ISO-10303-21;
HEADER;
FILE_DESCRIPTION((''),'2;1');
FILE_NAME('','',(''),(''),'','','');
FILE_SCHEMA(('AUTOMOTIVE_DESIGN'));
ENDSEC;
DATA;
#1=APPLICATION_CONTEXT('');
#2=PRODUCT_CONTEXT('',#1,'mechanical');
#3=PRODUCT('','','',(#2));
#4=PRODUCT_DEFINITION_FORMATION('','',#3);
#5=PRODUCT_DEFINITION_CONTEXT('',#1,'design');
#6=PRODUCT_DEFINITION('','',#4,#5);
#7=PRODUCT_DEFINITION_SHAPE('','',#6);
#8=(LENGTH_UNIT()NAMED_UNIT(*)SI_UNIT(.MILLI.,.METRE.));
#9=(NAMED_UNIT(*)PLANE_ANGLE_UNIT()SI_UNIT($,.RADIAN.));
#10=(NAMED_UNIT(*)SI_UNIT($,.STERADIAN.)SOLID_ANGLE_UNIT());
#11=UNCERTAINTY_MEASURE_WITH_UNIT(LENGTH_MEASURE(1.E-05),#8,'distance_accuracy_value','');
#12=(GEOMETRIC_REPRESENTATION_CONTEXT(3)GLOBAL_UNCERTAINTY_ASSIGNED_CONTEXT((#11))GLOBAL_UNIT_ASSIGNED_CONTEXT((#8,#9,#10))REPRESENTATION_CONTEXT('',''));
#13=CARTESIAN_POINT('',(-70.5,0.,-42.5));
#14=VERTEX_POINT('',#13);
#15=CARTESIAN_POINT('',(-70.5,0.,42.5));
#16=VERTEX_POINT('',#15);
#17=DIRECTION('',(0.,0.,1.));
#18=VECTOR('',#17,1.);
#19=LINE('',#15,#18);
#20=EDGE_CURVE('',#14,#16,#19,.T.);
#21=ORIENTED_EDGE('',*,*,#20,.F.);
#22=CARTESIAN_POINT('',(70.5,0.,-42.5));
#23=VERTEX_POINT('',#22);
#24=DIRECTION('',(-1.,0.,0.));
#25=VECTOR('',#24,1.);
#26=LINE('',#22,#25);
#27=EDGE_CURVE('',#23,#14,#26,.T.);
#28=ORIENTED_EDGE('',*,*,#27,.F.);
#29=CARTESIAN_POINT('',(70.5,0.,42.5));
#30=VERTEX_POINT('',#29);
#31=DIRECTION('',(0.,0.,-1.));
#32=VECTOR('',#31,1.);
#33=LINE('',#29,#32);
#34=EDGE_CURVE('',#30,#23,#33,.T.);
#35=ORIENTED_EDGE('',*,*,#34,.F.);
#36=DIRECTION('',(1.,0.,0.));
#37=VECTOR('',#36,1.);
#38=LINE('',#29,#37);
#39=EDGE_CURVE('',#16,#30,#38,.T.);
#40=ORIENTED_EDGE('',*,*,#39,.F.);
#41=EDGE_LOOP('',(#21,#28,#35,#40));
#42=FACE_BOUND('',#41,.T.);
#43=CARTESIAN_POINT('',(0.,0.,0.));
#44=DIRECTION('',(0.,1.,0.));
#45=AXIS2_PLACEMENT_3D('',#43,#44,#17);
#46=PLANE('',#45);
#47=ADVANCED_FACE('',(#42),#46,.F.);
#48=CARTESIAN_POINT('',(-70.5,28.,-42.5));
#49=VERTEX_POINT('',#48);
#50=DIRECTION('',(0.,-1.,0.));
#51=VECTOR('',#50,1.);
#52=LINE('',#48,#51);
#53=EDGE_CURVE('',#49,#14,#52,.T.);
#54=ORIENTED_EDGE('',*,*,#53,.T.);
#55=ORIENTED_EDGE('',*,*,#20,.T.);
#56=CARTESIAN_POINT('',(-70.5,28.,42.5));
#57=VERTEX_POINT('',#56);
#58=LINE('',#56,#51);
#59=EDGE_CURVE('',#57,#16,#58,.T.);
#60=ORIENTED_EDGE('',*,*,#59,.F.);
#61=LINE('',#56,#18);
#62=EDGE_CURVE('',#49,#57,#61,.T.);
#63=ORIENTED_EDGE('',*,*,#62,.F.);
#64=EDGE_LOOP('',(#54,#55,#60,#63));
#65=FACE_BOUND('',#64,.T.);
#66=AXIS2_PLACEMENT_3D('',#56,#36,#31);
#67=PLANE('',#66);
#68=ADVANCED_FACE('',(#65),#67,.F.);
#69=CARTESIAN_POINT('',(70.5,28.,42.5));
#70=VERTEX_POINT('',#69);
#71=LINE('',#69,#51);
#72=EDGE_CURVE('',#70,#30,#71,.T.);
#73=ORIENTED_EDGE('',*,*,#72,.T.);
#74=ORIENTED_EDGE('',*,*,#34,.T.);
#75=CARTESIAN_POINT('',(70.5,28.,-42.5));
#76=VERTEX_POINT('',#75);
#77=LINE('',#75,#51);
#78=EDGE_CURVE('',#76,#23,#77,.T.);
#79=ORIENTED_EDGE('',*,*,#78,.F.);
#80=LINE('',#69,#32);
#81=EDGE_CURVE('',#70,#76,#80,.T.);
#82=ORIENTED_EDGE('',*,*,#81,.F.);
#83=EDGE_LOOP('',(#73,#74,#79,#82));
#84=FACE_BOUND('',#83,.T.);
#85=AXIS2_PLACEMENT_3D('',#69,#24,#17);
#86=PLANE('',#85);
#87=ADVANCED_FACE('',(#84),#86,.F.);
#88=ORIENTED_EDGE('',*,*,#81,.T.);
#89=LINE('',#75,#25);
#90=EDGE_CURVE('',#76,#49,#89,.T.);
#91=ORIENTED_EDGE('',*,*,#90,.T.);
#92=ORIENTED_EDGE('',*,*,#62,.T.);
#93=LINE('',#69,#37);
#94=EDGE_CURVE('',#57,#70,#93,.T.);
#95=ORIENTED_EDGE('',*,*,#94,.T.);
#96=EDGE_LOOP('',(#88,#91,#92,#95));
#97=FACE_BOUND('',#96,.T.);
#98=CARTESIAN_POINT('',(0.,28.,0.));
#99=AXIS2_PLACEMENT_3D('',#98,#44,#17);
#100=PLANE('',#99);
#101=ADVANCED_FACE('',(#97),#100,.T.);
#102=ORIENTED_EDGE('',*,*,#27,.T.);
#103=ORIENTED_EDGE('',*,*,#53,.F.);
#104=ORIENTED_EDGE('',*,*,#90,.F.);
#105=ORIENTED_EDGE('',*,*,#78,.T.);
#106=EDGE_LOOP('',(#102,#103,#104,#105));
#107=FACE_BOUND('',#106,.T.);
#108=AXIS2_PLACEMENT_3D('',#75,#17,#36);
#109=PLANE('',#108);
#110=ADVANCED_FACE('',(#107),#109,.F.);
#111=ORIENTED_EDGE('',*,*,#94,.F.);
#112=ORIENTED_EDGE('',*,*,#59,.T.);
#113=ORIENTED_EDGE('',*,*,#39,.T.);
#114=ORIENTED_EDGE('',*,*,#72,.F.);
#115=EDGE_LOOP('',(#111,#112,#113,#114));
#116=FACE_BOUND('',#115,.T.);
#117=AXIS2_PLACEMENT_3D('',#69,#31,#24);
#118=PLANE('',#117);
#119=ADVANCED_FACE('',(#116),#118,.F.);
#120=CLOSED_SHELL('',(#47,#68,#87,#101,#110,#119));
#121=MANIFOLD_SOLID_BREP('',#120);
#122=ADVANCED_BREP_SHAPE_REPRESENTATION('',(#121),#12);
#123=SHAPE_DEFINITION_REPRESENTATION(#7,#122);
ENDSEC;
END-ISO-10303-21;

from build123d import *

# Parameters (mm, degrees)
SKETCH1_W           = 141
SKETCH1_H           = 85
BOSS_EXTRUDE1_DEPTH = 28


with BuildPart() as part:
    # Sketch1 → Boss-Extrude1 (new body)
    with BuildSketch(Plane(origin=(0, 0, 0), x_dir=(1, 0, 0), z_dir=(0, 1, 0))):
        Rectangle(SKETCH1_W, SKETCH1_H)
    extrude(amount=BOSS_EXTRUDE1_DEPTH)


solid = part.part
